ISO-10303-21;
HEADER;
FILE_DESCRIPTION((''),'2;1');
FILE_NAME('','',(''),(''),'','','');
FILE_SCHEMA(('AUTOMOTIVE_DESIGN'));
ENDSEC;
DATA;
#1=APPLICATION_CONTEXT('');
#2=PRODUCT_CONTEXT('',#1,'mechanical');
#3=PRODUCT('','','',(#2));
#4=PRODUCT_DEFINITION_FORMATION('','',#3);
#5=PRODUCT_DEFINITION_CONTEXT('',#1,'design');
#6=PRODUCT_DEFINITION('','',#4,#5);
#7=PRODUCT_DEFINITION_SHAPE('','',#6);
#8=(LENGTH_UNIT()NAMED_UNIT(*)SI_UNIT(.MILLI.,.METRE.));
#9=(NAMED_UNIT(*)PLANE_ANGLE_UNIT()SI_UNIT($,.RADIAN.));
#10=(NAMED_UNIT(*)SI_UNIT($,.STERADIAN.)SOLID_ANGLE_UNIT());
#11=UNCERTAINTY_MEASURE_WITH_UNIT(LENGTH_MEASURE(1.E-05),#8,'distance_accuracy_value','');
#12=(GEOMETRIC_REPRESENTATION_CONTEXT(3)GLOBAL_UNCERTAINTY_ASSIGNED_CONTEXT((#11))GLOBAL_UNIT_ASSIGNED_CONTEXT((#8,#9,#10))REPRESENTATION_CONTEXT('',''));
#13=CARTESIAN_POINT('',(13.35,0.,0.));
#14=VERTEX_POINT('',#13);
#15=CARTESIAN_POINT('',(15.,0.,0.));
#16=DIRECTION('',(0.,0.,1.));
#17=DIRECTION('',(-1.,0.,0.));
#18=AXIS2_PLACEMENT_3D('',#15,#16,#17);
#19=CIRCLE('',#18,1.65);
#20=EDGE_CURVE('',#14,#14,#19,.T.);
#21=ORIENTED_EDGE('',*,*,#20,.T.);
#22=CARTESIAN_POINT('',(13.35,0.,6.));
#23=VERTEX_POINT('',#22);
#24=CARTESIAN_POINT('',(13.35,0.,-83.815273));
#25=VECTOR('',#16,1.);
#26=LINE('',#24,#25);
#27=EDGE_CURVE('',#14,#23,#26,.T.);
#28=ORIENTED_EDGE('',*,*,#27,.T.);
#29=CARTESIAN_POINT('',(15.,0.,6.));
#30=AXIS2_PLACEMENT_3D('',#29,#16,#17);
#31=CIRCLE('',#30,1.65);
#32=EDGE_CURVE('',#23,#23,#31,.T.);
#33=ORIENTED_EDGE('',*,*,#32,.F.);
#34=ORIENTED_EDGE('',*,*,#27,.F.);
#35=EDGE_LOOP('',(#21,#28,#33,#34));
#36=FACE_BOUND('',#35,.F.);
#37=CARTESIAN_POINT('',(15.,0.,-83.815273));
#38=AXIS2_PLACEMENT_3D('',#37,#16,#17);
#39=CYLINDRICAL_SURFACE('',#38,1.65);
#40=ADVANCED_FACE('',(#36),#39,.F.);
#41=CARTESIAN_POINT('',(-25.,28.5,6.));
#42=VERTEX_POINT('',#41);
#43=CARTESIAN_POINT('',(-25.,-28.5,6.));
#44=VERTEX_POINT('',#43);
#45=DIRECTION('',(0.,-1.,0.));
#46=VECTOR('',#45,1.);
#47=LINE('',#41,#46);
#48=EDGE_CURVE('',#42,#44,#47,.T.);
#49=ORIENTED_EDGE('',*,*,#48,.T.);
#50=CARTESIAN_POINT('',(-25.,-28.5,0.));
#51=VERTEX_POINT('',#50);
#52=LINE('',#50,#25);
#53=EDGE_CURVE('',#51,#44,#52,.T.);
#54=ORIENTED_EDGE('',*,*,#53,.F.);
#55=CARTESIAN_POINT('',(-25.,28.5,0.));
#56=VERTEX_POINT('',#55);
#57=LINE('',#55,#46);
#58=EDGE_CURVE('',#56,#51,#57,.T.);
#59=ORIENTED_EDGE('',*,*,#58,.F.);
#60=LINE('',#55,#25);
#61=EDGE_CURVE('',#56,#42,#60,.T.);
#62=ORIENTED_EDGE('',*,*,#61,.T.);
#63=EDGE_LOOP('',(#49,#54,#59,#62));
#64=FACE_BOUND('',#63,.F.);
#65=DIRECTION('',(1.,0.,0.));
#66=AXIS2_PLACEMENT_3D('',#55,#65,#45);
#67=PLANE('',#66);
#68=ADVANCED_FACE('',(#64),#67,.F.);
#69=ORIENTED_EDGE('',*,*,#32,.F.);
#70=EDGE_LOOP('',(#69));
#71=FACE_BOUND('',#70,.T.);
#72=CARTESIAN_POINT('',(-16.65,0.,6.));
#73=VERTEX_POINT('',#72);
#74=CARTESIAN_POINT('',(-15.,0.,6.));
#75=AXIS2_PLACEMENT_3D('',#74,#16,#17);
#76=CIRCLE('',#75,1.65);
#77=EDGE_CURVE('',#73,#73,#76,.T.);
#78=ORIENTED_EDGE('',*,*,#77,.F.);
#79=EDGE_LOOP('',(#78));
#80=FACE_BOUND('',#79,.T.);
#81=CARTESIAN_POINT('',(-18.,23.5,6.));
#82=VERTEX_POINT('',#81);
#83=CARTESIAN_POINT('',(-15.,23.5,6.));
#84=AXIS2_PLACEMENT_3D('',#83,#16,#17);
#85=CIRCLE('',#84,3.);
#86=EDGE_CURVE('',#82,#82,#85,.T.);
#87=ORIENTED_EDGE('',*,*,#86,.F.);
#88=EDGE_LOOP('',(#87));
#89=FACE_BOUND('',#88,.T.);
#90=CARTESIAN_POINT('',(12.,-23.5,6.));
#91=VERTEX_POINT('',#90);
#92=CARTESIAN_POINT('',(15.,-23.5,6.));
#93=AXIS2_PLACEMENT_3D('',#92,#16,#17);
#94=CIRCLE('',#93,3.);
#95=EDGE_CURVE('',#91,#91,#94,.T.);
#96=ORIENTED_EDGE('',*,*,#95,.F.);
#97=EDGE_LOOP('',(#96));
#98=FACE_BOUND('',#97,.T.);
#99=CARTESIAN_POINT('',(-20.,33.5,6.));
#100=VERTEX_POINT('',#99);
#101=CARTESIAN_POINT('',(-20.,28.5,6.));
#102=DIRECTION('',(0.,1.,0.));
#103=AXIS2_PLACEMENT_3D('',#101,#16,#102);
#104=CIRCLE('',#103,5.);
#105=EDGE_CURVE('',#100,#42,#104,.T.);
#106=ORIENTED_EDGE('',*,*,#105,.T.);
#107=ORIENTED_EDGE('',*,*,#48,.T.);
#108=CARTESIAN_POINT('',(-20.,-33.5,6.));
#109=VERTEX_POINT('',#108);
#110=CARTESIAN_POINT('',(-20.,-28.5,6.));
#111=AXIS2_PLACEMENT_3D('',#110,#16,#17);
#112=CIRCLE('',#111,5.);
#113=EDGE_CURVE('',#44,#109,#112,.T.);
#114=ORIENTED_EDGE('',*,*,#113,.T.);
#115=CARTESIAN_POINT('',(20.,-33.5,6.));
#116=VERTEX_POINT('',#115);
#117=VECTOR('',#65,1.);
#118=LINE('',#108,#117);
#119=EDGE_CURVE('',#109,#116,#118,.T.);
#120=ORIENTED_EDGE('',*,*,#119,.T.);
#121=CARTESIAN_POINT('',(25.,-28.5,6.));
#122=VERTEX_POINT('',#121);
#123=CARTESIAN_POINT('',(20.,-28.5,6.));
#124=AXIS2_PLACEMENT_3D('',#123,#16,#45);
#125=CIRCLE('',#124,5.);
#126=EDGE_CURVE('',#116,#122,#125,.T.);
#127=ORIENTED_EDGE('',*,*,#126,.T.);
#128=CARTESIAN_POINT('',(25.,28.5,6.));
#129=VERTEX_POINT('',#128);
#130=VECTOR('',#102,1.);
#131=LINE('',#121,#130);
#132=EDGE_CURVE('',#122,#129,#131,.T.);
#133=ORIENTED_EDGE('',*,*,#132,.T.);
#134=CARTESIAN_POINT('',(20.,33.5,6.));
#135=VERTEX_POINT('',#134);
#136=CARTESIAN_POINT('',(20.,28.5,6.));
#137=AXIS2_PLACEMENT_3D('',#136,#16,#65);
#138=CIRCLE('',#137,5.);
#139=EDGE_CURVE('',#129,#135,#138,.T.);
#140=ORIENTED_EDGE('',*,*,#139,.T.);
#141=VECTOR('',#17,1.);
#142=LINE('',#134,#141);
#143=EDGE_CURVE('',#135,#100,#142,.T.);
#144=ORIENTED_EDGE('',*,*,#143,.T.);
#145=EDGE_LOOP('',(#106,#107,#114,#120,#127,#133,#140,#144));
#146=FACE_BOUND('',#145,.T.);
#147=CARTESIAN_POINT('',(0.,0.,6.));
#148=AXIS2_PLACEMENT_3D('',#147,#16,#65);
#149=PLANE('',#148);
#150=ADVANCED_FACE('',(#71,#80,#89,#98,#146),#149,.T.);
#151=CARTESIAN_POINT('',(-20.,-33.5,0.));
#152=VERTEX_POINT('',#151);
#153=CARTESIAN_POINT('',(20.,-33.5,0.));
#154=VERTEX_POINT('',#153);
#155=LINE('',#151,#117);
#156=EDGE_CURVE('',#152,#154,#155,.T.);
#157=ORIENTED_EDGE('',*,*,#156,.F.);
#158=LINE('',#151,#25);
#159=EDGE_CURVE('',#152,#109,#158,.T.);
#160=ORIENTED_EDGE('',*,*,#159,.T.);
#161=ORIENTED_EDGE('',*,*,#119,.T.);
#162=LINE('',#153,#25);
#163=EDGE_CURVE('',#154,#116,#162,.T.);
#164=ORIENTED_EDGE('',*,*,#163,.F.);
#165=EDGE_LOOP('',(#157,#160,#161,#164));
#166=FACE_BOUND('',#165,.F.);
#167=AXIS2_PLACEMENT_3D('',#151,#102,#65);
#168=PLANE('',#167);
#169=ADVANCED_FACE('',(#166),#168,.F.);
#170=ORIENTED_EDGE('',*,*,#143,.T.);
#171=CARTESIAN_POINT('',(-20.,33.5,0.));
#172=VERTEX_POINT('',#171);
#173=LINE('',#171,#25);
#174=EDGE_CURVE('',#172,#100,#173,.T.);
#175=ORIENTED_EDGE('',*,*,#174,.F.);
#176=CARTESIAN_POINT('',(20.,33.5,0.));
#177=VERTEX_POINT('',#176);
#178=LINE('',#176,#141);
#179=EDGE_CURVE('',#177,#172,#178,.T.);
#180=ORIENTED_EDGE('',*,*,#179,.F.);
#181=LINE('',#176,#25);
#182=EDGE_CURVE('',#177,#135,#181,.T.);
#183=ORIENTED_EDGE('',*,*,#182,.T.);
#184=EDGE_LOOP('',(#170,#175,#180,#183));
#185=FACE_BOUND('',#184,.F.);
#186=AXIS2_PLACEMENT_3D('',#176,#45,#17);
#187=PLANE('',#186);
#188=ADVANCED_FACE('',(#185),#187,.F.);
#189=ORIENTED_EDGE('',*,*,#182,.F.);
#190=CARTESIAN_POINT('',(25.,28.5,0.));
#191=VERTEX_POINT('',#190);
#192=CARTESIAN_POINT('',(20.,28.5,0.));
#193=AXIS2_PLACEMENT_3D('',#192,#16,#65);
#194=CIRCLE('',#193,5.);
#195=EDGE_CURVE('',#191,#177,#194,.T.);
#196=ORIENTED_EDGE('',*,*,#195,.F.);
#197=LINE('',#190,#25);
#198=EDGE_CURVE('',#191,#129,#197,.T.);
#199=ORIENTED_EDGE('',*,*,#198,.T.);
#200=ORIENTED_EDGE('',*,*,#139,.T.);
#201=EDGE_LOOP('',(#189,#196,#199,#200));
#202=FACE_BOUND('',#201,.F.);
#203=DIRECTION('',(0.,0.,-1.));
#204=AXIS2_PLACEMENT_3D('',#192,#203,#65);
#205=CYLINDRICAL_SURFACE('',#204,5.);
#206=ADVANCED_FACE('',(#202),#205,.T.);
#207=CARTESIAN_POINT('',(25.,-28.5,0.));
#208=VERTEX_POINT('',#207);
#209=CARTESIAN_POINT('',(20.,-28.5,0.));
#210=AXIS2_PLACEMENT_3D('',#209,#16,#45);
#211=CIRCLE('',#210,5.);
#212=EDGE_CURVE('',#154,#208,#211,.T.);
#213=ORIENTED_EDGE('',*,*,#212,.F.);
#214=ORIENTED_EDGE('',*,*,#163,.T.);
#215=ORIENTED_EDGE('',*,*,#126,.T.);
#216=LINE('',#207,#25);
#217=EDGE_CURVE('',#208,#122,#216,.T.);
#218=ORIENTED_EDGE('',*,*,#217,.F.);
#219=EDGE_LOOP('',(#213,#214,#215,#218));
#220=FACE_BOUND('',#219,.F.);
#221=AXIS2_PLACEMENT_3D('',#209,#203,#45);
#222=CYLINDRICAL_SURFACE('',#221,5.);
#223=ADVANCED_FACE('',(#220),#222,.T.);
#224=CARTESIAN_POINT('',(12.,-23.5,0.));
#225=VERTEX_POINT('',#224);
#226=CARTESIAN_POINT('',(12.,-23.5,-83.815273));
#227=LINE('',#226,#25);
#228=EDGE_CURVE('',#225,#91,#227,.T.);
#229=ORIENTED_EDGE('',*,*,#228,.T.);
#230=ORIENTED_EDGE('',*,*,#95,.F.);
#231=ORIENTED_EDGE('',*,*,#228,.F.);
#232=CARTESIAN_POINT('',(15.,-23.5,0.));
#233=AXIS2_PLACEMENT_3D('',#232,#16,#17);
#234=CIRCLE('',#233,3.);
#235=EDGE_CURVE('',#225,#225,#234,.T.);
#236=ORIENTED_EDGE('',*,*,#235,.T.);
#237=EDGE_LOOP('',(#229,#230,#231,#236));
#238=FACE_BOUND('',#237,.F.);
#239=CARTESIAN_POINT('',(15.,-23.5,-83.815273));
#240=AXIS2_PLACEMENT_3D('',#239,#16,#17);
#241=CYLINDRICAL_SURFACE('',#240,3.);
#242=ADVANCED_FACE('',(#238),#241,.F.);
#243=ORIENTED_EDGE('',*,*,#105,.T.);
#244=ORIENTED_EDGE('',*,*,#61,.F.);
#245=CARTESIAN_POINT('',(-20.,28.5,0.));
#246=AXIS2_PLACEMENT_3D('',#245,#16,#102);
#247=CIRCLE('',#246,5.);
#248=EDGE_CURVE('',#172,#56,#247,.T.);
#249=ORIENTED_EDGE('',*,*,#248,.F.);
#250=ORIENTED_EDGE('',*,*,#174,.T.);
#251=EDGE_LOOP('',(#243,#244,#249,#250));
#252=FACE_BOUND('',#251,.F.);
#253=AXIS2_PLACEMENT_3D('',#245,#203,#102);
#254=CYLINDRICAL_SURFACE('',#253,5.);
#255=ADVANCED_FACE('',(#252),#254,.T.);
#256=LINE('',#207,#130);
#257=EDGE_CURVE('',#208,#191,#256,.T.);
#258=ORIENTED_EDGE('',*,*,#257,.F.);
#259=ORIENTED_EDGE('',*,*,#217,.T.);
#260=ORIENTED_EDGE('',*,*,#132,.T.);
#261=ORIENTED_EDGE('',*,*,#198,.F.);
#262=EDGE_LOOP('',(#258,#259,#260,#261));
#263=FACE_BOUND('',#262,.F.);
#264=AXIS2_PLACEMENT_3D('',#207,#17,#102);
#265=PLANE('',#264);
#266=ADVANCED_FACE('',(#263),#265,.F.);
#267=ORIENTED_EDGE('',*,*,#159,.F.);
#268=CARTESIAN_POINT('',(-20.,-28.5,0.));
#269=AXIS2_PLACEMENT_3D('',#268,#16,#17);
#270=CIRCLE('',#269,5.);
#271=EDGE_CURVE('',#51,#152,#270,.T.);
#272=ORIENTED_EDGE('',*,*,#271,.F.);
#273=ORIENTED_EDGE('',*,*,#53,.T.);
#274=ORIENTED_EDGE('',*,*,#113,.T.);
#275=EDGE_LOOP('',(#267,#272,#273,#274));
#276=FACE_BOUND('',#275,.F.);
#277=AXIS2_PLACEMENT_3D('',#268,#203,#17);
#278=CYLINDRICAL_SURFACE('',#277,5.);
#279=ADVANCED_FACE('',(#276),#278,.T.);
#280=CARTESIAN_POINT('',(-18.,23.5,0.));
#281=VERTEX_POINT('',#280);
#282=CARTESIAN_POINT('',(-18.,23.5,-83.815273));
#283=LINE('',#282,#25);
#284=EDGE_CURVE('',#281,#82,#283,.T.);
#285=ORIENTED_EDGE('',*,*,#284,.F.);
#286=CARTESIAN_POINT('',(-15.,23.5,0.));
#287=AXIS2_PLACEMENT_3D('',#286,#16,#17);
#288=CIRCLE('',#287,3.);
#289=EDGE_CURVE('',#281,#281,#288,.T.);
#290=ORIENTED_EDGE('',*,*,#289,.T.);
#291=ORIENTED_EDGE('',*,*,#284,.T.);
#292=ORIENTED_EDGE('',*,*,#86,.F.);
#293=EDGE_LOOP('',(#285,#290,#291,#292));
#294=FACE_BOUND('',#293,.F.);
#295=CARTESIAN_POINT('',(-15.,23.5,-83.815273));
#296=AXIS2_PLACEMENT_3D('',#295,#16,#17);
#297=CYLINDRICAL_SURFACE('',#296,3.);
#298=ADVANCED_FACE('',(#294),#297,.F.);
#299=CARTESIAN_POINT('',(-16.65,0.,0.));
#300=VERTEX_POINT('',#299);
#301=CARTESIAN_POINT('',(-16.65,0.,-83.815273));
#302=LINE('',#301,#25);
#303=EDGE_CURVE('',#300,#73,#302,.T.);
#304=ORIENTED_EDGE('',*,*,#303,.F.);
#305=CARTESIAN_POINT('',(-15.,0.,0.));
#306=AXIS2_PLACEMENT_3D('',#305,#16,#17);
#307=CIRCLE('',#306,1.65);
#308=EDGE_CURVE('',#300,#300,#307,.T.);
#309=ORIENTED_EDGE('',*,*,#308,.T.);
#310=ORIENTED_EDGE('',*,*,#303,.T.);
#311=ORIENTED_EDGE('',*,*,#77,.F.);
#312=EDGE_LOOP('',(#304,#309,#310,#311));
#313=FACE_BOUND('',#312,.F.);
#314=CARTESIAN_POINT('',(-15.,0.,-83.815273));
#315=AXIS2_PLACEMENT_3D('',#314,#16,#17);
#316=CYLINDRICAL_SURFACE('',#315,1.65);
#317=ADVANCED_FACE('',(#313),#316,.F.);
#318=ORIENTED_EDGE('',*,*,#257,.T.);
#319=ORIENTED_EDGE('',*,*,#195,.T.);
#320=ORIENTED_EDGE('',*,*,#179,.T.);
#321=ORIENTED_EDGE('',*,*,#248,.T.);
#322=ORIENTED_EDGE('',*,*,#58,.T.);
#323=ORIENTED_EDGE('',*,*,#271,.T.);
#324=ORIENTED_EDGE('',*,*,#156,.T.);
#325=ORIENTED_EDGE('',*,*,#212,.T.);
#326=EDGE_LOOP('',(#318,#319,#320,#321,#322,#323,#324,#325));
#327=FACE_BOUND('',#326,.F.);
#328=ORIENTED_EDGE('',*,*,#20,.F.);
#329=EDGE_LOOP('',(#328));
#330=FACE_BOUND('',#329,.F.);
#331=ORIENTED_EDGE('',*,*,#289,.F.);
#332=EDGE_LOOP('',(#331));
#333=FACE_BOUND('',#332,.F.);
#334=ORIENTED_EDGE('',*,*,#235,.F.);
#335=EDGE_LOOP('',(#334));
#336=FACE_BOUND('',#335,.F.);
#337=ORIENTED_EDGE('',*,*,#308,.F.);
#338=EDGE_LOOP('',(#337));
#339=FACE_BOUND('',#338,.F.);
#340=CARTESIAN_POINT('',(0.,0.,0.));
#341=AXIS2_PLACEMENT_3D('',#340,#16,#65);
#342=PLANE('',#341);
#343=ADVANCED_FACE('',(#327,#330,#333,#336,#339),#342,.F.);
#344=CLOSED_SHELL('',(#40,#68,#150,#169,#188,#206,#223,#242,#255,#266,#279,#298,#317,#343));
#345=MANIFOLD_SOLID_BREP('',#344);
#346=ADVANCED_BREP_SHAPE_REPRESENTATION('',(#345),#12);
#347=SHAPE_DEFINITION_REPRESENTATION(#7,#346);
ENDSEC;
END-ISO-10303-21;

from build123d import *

# Parameters (mm, degrees)
F1_DEPTH = 6
F2_D     = 3.3
F3_D     = 6


with BuildPart() as f1:
    # F0 (on Top) → F1 (new body)
    with BuildSketch(Plane.XY):
        with BuildLine():
            ThreePointArc((25, 28.5), (23.5355339059, 32.0355339059), (20, 33.5))
            Line((20, 33.5), (-20, 33.5))
            ThreePointArc((-20, 33.5), (-23.5355339059, 32.0355339059), (-25, 28.5))
            Line((-25, 28.5), (-25, -28.5))
            ThreePointArc((-25, -28.5), (-23.5355339059, -32.0355339059), (-20, -33.5))
            Line((-20, -33.5), (20, -33.5))
            ThreePointArc((20, -33.5), (23.5355339059, -32.0355339059), (25, -28.5))
            Line((25, -28.5), (25, 28.5))
        make_face()
    extrude(amount=F1_DEPTH)

    # F2 (through all)
    with Locations(Plane(origin=(0, 0, 0), x_dir=(1, 0, 0), z_dir=(0, 0, -1))):
        with Locations((-15, 0), (15, 0)):
            Hole(F2_D / 2)

    # F3 (through all)
    with Locations(Plane(origin=(0, 0, 0), x_dir=(1, 0, 0), z_dir=(0, 0, -1))):
        with Locations((-15, -23.5), (15, 23.5)):
            Hole(F3_D / 2)


solid = f1.part
